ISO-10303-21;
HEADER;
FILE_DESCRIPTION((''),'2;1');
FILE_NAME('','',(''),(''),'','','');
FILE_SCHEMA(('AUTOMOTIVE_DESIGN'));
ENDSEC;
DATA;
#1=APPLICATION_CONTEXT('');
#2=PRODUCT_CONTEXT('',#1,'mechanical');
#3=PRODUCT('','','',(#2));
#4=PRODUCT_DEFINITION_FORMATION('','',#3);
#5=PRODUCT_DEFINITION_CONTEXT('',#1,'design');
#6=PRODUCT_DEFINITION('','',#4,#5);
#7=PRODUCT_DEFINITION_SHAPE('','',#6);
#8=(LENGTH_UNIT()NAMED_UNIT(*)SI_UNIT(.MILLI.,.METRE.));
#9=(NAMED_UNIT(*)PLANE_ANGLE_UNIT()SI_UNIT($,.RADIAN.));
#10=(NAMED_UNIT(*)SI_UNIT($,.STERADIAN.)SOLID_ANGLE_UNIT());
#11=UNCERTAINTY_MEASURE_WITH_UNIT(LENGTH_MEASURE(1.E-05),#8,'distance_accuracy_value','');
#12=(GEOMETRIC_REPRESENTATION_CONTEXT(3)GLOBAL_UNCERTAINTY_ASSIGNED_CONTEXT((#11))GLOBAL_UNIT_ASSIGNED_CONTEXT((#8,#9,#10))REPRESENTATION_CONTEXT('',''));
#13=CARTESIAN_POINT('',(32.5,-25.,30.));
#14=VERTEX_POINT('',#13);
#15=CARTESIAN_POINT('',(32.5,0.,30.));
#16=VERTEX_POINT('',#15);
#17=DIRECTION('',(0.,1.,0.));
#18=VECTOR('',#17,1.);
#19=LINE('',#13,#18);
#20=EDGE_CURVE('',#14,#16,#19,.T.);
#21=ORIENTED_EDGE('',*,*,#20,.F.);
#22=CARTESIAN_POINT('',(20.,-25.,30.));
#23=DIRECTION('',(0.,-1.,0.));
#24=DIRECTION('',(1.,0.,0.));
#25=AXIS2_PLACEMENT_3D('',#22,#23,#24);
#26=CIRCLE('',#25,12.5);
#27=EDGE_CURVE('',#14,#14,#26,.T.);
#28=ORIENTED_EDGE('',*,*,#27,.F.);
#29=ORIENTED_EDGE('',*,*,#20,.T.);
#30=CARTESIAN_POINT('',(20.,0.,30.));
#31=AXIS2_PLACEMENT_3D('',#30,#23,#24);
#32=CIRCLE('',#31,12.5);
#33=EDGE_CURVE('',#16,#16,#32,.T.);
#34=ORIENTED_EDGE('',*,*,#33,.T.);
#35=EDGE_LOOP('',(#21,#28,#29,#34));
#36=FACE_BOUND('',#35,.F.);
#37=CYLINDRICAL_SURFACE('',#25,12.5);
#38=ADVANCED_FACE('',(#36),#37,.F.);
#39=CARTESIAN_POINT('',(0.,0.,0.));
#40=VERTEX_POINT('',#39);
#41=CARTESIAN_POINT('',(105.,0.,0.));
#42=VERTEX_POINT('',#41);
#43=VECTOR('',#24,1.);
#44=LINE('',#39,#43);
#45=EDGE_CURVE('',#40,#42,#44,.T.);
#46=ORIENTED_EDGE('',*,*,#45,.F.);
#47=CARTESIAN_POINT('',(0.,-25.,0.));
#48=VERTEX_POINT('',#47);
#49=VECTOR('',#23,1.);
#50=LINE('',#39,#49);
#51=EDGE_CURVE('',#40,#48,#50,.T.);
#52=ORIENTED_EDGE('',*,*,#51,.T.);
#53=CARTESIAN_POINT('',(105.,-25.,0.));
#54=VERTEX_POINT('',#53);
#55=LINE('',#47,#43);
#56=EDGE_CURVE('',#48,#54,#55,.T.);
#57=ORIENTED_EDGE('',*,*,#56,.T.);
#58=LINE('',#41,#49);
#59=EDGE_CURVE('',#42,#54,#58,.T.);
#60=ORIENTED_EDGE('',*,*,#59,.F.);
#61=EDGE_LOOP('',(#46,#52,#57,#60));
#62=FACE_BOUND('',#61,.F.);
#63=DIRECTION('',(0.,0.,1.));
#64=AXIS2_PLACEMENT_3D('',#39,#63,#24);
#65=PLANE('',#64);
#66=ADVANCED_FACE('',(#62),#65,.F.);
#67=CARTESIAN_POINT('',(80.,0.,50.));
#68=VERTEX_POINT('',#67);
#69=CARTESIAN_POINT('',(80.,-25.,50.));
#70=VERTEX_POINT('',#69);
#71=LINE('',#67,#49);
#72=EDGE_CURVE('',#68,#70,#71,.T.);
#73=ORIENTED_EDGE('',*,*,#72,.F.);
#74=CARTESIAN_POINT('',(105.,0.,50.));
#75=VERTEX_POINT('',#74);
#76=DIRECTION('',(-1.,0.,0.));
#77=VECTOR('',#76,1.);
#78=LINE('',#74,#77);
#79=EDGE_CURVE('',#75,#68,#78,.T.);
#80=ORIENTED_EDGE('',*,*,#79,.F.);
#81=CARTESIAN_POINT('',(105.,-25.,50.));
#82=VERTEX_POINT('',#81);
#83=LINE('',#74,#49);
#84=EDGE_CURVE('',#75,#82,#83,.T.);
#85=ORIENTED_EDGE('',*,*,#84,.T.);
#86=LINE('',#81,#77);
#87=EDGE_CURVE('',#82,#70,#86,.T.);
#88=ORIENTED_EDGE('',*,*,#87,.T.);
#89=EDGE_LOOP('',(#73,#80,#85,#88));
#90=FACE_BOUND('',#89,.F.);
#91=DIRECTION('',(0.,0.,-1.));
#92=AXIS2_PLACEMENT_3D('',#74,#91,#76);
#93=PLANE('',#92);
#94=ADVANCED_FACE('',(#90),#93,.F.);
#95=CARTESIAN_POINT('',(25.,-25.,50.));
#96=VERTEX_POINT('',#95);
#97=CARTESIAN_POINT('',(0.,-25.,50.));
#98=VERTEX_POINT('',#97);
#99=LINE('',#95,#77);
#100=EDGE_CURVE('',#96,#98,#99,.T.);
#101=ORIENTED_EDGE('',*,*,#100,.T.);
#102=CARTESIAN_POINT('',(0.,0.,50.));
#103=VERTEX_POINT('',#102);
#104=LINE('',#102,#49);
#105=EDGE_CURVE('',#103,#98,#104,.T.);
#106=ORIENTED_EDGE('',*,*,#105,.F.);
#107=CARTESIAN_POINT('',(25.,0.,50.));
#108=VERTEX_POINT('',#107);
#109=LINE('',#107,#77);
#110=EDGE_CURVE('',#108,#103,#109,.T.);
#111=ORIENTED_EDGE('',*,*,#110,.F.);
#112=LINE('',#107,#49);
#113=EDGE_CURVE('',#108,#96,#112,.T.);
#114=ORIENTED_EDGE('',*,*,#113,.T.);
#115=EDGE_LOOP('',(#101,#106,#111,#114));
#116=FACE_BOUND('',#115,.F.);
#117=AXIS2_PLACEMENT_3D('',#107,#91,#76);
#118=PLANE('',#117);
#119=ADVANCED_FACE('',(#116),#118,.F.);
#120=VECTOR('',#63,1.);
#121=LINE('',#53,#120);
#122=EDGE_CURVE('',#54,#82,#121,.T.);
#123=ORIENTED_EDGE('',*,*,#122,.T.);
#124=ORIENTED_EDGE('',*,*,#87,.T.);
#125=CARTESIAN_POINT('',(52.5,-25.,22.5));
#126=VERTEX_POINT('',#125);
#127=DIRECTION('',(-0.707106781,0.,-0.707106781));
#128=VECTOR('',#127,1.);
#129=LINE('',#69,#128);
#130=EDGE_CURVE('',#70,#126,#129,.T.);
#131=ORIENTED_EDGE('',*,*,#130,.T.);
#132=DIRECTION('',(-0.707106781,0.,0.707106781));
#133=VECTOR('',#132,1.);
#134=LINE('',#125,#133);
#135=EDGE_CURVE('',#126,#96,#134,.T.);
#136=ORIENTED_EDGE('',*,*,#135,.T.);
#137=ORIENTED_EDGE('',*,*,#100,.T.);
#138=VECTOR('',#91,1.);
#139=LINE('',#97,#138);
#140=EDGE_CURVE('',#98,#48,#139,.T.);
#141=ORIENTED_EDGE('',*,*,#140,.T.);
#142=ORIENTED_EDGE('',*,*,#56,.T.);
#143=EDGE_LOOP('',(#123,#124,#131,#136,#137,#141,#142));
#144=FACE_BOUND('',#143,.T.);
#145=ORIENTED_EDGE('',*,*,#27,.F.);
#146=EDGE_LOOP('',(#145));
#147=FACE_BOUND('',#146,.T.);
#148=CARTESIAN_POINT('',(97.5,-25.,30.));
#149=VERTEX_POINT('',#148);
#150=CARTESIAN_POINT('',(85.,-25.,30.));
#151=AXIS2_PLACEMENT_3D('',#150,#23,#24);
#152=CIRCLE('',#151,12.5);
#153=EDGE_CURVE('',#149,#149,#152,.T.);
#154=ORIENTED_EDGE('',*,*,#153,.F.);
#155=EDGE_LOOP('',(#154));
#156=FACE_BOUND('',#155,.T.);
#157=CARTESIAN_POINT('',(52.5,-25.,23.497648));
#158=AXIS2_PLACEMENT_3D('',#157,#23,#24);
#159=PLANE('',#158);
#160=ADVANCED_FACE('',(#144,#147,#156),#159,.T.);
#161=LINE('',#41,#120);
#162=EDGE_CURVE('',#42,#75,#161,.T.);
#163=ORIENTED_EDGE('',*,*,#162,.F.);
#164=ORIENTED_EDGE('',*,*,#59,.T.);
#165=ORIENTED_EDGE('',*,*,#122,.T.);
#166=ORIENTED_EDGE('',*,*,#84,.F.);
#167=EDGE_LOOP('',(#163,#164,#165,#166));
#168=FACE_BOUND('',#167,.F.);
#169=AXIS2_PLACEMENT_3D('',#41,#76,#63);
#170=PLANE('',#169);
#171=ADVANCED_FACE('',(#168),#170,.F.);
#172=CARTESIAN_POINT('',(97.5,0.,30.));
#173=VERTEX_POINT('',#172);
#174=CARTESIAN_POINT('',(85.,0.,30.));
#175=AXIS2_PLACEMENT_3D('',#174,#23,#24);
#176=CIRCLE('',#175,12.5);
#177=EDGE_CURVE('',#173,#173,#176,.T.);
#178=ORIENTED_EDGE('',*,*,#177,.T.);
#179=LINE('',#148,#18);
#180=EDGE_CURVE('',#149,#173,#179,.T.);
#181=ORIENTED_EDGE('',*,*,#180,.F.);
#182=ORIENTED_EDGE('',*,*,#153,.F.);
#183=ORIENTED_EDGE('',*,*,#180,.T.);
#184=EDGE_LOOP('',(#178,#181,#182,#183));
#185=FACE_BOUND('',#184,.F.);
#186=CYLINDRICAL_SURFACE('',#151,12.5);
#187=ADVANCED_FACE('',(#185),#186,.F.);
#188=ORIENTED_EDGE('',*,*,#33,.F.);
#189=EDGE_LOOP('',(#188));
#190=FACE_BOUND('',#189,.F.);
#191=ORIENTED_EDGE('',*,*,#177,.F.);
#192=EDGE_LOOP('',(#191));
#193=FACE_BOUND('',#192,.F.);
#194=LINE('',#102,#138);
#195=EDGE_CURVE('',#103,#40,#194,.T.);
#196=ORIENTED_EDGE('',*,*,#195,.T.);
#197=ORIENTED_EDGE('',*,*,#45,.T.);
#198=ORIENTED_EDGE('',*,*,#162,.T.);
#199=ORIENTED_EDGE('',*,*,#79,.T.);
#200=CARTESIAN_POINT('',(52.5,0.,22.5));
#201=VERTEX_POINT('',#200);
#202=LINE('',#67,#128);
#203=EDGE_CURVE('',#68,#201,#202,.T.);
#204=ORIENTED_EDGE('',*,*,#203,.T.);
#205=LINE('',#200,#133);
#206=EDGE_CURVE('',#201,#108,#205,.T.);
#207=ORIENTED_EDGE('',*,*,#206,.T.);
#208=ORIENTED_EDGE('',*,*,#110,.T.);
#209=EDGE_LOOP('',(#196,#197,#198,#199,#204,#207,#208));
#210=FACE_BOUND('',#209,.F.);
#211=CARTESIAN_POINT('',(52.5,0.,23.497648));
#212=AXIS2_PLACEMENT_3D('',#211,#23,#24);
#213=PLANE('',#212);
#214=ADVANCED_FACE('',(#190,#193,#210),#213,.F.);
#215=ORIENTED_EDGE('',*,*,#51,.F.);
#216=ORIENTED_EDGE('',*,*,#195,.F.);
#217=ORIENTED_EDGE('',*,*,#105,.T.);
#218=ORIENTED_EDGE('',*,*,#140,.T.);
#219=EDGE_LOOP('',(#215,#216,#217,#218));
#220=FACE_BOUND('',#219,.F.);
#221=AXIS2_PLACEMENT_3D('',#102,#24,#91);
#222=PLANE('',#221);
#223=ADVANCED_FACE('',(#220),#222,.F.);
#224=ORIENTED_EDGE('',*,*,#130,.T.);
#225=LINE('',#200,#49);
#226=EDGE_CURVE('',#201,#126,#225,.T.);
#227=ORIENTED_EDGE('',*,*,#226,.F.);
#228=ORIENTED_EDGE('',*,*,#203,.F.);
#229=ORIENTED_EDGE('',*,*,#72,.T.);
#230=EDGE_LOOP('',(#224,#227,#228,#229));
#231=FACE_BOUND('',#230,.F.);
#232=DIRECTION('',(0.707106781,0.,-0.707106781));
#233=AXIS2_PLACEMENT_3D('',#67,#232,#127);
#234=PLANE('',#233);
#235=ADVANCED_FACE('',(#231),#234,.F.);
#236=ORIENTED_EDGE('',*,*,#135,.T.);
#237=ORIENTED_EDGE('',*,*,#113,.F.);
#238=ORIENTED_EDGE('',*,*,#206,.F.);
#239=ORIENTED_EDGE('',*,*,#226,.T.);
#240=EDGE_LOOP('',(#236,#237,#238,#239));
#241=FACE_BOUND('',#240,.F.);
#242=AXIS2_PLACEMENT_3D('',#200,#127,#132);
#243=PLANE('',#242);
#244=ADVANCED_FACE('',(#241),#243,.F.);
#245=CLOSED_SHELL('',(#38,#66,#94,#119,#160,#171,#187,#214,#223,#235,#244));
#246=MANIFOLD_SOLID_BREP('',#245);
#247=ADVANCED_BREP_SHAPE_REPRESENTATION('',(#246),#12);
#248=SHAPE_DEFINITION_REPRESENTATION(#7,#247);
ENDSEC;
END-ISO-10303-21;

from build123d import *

# Parameters (mm, degrees)
F1_DEPTH = 25
F2_R     = 12.5
F3_DEPTH = 25.001


with BuildPart() as f1:
    # F0 (on Front) → F1 (new body)
    with BuildSketch(Plane.XZ):
        Polygon((0, 50), (0, 0), (105, 0), (105, 50), (80, 50), (52.5, 22.5), (25, 50), align=None)
    extrude(amount=F1_DEPTH)

    # F2 (on face) → F3 (cut, through all)
    with BuildSketch(Plane.XZ.offset(25)):
        with Locations((20, 30)):
            Circle(F2_R)
        with Locations((85, 30)):
            Circle(F2_R)
    extrude(amount=-F3_DEPTH, mode=Mode.SUBTRACT)


solid = f1.part
